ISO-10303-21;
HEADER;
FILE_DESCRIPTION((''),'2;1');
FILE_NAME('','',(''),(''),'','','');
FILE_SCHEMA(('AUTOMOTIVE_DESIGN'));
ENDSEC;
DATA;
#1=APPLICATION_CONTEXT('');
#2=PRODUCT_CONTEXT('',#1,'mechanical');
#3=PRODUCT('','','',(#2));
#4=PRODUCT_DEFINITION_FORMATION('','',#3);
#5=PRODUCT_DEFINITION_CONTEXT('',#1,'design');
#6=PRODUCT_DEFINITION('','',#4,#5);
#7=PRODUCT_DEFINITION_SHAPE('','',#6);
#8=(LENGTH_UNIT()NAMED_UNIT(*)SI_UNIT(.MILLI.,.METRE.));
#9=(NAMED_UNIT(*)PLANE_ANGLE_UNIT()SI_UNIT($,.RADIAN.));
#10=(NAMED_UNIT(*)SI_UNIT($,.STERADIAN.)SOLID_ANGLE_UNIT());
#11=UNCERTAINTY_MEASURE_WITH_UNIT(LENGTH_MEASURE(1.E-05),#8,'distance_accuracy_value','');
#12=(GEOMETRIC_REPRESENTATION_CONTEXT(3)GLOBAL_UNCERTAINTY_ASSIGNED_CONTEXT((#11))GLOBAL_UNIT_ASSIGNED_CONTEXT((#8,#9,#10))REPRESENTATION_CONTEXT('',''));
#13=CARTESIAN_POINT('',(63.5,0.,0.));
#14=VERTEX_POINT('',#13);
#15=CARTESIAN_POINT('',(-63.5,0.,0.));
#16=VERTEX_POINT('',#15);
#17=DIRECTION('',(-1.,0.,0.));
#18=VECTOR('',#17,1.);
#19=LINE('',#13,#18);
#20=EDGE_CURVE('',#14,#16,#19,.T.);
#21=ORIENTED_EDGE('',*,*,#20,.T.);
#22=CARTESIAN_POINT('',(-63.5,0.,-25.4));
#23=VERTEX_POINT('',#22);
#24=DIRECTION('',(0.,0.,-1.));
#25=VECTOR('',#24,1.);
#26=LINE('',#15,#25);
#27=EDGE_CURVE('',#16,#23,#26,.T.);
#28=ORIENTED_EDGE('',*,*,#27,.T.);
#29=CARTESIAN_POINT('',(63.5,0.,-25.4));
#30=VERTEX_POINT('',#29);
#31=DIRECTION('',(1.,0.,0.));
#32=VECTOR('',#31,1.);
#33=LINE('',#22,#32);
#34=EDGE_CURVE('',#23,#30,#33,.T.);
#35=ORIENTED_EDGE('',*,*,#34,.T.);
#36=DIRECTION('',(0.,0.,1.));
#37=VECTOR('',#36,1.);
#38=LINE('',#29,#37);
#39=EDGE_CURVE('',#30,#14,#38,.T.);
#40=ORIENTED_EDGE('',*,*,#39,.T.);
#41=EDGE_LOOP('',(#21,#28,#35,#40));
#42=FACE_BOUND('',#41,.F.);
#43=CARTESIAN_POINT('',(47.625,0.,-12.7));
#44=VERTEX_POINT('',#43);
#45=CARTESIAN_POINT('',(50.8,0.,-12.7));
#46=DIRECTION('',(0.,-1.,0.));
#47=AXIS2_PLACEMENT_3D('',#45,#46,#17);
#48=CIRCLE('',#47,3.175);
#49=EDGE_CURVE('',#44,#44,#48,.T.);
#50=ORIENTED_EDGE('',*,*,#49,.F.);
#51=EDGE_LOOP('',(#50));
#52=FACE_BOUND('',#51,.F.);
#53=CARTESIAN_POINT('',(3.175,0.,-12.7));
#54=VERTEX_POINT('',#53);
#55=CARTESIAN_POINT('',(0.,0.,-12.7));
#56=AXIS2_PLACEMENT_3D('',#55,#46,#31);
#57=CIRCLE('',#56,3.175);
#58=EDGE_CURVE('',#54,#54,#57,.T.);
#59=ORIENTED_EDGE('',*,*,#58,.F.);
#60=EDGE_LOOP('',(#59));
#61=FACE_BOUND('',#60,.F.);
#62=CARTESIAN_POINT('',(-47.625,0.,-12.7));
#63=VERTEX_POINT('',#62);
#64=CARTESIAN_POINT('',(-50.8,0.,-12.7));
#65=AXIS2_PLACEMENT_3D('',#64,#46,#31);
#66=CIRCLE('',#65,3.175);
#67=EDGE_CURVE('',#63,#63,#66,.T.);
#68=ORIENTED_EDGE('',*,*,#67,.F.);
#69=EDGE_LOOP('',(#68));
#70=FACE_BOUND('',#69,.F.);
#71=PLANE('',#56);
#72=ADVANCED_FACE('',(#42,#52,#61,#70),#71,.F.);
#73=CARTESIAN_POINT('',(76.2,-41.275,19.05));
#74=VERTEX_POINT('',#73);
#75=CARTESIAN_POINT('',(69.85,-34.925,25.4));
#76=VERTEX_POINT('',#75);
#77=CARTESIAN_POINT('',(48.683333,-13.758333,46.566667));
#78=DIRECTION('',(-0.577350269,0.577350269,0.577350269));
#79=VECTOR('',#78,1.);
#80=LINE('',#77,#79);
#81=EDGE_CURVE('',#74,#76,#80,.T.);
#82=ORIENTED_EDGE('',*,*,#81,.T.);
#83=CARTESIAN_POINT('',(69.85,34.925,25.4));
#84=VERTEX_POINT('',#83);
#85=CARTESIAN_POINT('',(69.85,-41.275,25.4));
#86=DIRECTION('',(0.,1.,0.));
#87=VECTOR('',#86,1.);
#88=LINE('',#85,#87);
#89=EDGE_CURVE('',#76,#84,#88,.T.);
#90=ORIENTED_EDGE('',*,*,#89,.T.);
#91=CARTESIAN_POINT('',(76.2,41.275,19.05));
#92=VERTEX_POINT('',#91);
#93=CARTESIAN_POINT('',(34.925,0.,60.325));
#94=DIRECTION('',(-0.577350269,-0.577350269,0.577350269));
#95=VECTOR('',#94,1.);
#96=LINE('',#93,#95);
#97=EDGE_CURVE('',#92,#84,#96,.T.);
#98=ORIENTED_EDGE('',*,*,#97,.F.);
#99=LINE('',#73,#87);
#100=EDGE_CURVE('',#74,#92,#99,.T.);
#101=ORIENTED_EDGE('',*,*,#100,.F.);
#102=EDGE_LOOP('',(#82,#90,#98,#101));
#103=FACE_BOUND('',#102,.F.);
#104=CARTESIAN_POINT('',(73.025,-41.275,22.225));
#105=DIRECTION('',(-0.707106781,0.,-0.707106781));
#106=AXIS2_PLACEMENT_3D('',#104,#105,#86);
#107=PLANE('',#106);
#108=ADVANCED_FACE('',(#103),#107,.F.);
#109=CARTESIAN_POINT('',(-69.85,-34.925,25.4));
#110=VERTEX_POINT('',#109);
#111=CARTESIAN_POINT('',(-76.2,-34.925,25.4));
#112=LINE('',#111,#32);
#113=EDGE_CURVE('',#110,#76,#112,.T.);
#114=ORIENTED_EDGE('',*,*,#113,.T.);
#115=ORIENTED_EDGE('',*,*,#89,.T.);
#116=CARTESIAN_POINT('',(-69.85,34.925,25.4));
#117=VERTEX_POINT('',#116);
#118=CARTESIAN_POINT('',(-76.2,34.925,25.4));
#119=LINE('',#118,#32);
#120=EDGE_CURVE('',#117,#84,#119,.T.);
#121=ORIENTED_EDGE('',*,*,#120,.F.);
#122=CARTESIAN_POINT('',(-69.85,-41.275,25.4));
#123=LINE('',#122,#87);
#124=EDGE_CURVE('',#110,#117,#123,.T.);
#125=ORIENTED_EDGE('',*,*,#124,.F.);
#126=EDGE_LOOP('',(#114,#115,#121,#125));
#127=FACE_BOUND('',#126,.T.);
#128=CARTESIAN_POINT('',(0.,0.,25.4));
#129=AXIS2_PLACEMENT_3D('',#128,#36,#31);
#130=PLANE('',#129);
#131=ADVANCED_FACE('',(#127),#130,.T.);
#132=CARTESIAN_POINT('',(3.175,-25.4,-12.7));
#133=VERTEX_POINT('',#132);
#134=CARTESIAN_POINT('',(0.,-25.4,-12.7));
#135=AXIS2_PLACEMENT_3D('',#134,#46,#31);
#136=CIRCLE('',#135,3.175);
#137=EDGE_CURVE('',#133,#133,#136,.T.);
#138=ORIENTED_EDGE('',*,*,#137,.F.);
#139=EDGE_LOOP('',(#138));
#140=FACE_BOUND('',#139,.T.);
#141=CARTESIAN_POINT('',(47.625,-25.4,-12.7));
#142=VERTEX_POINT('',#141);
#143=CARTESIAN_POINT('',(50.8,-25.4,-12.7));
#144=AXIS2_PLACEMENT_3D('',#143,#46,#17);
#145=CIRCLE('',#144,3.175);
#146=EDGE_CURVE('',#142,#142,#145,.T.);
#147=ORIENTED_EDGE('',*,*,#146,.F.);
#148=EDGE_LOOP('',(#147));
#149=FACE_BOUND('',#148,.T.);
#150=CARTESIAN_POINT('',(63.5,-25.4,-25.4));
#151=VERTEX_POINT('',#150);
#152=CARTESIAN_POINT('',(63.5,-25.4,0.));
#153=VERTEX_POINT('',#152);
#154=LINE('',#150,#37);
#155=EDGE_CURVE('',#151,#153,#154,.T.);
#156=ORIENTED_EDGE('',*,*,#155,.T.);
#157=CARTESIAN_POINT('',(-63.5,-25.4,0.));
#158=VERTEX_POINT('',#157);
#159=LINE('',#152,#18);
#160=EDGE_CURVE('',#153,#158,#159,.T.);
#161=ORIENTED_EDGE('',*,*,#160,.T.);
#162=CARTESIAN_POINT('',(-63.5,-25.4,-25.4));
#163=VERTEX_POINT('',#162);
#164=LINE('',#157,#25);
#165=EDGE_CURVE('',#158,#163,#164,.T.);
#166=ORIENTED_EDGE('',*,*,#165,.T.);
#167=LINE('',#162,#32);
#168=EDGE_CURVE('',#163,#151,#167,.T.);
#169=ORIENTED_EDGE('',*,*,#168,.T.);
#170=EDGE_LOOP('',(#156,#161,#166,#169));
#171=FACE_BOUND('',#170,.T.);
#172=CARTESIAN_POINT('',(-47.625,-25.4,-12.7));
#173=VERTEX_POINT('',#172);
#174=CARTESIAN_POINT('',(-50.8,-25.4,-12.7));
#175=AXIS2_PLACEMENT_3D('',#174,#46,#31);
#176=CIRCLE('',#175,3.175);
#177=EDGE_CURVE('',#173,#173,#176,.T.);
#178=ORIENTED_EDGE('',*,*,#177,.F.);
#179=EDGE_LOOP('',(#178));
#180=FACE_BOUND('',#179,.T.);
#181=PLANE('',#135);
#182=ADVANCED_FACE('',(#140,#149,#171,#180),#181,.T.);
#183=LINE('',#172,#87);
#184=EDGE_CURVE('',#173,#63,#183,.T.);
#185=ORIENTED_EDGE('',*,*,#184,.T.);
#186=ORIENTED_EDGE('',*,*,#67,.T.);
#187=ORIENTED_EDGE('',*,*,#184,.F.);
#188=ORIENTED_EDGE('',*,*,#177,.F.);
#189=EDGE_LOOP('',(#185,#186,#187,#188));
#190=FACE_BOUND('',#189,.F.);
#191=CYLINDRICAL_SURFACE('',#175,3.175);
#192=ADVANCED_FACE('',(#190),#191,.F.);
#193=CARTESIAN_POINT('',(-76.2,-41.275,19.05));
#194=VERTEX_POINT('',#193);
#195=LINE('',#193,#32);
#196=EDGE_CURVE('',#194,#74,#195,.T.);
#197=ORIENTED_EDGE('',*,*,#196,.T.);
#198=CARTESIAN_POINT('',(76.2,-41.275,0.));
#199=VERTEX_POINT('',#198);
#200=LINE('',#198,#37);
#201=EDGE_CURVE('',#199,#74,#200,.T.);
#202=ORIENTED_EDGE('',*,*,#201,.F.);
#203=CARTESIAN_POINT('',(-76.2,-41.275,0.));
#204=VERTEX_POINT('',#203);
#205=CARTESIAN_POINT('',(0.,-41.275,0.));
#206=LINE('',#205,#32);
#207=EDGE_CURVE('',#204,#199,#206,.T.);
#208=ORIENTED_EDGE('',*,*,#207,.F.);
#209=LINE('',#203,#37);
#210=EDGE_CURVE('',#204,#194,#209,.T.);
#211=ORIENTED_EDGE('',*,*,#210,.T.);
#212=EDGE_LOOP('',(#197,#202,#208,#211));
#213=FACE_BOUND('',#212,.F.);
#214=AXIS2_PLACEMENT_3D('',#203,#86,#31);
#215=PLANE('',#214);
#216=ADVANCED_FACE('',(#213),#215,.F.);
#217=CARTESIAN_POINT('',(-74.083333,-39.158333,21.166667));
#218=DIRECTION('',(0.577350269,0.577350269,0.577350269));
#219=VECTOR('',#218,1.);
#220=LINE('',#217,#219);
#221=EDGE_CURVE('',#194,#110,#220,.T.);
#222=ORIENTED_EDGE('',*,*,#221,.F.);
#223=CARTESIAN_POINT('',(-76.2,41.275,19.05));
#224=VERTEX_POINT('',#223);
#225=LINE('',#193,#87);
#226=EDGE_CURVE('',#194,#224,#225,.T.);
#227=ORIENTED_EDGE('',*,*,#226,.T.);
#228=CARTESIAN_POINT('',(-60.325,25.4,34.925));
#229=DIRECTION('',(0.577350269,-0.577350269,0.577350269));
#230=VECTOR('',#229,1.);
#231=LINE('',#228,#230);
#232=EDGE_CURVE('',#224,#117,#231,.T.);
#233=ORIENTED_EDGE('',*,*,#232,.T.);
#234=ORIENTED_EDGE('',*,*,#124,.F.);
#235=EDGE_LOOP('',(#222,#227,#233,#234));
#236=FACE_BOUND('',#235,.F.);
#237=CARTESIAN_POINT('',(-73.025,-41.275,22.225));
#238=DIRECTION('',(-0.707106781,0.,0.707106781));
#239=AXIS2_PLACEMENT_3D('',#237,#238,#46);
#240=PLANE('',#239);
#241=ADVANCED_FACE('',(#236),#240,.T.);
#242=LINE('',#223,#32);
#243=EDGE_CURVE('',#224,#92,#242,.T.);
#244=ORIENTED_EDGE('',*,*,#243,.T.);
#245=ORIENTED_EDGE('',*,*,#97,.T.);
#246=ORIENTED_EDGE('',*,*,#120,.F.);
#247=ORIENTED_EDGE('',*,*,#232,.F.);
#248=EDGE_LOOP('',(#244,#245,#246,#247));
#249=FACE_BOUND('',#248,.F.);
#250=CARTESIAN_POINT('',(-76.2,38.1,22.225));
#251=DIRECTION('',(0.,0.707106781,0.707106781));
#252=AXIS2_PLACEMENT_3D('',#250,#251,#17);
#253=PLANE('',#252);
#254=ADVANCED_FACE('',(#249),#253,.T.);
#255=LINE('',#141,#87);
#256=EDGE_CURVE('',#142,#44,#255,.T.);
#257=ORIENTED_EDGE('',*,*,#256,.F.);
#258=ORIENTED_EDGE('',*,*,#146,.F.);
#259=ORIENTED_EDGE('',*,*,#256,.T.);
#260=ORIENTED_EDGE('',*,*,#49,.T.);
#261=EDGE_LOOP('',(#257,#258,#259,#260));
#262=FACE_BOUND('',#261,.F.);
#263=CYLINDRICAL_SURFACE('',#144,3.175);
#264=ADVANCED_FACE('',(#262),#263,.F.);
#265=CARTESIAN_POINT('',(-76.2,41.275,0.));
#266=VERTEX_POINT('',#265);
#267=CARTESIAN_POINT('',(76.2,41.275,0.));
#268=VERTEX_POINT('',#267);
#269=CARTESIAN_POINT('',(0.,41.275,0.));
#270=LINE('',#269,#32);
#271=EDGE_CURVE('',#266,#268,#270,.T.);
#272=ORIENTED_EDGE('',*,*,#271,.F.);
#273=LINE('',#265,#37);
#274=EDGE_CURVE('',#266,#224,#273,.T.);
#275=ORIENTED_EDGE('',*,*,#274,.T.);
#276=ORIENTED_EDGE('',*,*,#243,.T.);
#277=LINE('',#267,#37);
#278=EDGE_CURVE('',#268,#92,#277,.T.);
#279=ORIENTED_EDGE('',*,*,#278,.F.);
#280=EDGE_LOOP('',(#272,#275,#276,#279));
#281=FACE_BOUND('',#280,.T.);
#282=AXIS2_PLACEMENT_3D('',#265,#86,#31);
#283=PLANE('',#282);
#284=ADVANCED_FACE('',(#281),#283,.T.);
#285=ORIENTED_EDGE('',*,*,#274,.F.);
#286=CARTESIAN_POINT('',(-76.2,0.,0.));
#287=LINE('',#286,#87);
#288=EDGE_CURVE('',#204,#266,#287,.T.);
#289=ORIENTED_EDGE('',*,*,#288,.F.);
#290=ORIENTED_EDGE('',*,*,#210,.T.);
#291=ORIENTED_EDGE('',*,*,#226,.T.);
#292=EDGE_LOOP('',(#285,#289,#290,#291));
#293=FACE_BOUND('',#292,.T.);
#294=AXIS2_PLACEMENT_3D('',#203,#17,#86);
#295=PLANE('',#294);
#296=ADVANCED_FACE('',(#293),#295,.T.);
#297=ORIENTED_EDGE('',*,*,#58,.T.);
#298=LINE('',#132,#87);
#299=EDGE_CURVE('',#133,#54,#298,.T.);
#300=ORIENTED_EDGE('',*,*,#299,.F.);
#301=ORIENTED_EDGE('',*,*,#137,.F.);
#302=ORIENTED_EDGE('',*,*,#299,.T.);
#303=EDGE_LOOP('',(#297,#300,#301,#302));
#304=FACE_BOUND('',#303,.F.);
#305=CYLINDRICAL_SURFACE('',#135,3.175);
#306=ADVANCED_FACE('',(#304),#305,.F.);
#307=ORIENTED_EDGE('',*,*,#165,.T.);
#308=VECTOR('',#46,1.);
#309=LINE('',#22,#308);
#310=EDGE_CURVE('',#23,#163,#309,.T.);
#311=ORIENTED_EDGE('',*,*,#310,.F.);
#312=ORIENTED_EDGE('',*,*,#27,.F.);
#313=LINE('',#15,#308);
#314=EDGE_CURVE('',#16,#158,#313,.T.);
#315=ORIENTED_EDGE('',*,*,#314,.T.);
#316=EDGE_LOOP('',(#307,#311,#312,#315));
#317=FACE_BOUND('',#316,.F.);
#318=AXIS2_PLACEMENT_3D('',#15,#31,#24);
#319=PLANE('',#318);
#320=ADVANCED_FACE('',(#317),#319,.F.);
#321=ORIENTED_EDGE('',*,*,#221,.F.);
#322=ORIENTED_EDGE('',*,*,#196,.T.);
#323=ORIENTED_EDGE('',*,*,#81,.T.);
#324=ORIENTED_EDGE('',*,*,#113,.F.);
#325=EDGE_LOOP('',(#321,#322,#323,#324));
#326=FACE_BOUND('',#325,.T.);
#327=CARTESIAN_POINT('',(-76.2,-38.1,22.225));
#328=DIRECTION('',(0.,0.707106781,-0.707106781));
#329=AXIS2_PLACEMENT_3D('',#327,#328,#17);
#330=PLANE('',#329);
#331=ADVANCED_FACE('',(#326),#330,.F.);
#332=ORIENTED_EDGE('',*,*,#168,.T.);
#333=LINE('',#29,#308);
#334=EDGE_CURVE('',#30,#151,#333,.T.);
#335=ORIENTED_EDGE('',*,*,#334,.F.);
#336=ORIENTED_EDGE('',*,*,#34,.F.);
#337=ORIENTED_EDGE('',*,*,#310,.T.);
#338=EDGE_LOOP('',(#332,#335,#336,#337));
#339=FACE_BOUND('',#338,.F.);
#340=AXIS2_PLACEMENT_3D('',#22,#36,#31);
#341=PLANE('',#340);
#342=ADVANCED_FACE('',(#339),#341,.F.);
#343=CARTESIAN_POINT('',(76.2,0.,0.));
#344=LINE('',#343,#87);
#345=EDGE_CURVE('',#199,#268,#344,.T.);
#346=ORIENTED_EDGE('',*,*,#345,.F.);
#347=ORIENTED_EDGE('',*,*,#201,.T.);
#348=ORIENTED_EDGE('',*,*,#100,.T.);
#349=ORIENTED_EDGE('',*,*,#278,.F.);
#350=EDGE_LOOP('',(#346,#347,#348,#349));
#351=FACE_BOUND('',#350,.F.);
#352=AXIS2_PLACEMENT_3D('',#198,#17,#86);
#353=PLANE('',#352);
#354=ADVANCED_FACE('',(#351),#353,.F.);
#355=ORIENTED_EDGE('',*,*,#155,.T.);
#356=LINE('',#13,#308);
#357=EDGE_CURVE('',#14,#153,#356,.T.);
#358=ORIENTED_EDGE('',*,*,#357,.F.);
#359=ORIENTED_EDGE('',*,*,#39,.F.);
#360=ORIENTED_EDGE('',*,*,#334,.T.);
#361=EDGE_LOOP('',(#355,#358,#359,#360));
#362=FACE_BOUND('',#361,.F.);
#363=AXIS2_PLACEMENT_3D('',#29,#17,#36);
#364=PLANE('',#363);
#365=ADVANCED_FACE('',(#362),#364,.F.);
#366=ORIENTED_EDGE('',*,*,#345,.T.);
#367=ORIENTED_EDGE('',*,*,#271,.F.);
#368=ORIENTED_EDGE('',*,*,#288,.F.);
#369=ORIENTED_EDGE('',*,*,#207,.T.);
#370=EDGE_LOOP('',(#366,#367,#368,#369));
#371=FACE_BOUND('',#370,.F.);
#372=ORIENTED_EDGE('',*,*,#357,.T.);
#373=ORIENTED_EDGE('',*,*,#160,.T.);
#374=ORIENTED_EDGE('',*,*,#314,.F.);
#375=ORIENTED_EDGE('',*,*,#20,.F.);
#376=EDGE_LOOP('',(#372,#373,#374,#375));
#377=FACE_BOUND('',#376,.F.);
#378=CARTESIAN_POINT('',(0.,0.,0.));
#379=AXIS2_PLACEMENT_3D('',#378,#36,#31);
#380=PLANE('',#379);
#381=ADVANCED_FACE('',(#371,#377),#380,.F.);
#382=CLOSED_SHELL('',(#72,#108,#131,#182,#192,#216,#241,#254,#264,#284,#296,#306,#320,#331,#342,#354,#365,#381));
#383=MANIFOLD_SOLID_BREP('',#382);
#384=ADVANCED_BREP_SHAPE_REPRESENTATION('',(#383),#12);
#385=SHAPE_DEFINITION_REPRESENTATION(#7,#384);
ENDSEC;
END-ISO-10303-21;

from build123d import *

# Parameters (mm, degrees)
F0_W     = 152.4
F0_H     = 82.55
F1_DEPTH = 25.4
F3_DEPTH = 25.4
F4_R     = 3.175
F5_DEPTH = 25.4
F6_SIZE  = 6.35


with BuildPart() as f1:
    # F0 (on Top) → F1 (new body)
    with BuildSketch(Plane.XY):
        Rectangle(F0_W, F0_H)
    extrude(amount=F1_DEPTH)

    # F2 (on Front) → F3 (join)
    with BuildSketch(Plane.XZ):
        Polygon((63.5, 0), (0, 0), (-63.5, 0), (-63.5, -25.4), (63.5, -25.4), align=None)
    extrude(amount=F3_DEPTH)

    # F4 (on face) → F5 (cut)
    with BuildSketch(Plane.XZ.offset(25.4)):
        with BuildLine():
            Line((3.175, -12.7), (0, -12.7))
            Line((0, -12.7), (-3.175, -12.7))
            ThreePointArc((-3.175, -12.7), (0, -15.875), (3.175, -12.7))
        make_face()
        with BuildLine():
            Line((-3.175, -12.7), (0, -12.7))
            Line((0, -12.7), (3.175, -12.7))
            ThreePointArc((3.175, -12.7), (0, -9.525), (-3.175, -12.7))
        make_face()
        with Locations((-50.8, -12.7)):
            Circle(F4_R)
        with BuildLine():
            ThreePointArc((53.975, -12.7), (50.8, -9.525), (47.625, -12.7))
            ThreePointArc((47.625, -12.7), (50.8, -15.875), (53.975, -12.7))
        make_face()
    extrude(amount=-F5_DEPTH, mode=Mode.SUBTRACT)

    # F6
    f6_edges = [f1.edges().sort_by_distance(p)[0] for p in [
        (0, 41.275, 25.4),
        (-76.2, 0, 25.4),
        (0, -41.275, 25.4),
        (76.2, 0, 25.4),
    ]]
    chamfer(f6_edges, length=F6_SIZE)


solid = f1.part
